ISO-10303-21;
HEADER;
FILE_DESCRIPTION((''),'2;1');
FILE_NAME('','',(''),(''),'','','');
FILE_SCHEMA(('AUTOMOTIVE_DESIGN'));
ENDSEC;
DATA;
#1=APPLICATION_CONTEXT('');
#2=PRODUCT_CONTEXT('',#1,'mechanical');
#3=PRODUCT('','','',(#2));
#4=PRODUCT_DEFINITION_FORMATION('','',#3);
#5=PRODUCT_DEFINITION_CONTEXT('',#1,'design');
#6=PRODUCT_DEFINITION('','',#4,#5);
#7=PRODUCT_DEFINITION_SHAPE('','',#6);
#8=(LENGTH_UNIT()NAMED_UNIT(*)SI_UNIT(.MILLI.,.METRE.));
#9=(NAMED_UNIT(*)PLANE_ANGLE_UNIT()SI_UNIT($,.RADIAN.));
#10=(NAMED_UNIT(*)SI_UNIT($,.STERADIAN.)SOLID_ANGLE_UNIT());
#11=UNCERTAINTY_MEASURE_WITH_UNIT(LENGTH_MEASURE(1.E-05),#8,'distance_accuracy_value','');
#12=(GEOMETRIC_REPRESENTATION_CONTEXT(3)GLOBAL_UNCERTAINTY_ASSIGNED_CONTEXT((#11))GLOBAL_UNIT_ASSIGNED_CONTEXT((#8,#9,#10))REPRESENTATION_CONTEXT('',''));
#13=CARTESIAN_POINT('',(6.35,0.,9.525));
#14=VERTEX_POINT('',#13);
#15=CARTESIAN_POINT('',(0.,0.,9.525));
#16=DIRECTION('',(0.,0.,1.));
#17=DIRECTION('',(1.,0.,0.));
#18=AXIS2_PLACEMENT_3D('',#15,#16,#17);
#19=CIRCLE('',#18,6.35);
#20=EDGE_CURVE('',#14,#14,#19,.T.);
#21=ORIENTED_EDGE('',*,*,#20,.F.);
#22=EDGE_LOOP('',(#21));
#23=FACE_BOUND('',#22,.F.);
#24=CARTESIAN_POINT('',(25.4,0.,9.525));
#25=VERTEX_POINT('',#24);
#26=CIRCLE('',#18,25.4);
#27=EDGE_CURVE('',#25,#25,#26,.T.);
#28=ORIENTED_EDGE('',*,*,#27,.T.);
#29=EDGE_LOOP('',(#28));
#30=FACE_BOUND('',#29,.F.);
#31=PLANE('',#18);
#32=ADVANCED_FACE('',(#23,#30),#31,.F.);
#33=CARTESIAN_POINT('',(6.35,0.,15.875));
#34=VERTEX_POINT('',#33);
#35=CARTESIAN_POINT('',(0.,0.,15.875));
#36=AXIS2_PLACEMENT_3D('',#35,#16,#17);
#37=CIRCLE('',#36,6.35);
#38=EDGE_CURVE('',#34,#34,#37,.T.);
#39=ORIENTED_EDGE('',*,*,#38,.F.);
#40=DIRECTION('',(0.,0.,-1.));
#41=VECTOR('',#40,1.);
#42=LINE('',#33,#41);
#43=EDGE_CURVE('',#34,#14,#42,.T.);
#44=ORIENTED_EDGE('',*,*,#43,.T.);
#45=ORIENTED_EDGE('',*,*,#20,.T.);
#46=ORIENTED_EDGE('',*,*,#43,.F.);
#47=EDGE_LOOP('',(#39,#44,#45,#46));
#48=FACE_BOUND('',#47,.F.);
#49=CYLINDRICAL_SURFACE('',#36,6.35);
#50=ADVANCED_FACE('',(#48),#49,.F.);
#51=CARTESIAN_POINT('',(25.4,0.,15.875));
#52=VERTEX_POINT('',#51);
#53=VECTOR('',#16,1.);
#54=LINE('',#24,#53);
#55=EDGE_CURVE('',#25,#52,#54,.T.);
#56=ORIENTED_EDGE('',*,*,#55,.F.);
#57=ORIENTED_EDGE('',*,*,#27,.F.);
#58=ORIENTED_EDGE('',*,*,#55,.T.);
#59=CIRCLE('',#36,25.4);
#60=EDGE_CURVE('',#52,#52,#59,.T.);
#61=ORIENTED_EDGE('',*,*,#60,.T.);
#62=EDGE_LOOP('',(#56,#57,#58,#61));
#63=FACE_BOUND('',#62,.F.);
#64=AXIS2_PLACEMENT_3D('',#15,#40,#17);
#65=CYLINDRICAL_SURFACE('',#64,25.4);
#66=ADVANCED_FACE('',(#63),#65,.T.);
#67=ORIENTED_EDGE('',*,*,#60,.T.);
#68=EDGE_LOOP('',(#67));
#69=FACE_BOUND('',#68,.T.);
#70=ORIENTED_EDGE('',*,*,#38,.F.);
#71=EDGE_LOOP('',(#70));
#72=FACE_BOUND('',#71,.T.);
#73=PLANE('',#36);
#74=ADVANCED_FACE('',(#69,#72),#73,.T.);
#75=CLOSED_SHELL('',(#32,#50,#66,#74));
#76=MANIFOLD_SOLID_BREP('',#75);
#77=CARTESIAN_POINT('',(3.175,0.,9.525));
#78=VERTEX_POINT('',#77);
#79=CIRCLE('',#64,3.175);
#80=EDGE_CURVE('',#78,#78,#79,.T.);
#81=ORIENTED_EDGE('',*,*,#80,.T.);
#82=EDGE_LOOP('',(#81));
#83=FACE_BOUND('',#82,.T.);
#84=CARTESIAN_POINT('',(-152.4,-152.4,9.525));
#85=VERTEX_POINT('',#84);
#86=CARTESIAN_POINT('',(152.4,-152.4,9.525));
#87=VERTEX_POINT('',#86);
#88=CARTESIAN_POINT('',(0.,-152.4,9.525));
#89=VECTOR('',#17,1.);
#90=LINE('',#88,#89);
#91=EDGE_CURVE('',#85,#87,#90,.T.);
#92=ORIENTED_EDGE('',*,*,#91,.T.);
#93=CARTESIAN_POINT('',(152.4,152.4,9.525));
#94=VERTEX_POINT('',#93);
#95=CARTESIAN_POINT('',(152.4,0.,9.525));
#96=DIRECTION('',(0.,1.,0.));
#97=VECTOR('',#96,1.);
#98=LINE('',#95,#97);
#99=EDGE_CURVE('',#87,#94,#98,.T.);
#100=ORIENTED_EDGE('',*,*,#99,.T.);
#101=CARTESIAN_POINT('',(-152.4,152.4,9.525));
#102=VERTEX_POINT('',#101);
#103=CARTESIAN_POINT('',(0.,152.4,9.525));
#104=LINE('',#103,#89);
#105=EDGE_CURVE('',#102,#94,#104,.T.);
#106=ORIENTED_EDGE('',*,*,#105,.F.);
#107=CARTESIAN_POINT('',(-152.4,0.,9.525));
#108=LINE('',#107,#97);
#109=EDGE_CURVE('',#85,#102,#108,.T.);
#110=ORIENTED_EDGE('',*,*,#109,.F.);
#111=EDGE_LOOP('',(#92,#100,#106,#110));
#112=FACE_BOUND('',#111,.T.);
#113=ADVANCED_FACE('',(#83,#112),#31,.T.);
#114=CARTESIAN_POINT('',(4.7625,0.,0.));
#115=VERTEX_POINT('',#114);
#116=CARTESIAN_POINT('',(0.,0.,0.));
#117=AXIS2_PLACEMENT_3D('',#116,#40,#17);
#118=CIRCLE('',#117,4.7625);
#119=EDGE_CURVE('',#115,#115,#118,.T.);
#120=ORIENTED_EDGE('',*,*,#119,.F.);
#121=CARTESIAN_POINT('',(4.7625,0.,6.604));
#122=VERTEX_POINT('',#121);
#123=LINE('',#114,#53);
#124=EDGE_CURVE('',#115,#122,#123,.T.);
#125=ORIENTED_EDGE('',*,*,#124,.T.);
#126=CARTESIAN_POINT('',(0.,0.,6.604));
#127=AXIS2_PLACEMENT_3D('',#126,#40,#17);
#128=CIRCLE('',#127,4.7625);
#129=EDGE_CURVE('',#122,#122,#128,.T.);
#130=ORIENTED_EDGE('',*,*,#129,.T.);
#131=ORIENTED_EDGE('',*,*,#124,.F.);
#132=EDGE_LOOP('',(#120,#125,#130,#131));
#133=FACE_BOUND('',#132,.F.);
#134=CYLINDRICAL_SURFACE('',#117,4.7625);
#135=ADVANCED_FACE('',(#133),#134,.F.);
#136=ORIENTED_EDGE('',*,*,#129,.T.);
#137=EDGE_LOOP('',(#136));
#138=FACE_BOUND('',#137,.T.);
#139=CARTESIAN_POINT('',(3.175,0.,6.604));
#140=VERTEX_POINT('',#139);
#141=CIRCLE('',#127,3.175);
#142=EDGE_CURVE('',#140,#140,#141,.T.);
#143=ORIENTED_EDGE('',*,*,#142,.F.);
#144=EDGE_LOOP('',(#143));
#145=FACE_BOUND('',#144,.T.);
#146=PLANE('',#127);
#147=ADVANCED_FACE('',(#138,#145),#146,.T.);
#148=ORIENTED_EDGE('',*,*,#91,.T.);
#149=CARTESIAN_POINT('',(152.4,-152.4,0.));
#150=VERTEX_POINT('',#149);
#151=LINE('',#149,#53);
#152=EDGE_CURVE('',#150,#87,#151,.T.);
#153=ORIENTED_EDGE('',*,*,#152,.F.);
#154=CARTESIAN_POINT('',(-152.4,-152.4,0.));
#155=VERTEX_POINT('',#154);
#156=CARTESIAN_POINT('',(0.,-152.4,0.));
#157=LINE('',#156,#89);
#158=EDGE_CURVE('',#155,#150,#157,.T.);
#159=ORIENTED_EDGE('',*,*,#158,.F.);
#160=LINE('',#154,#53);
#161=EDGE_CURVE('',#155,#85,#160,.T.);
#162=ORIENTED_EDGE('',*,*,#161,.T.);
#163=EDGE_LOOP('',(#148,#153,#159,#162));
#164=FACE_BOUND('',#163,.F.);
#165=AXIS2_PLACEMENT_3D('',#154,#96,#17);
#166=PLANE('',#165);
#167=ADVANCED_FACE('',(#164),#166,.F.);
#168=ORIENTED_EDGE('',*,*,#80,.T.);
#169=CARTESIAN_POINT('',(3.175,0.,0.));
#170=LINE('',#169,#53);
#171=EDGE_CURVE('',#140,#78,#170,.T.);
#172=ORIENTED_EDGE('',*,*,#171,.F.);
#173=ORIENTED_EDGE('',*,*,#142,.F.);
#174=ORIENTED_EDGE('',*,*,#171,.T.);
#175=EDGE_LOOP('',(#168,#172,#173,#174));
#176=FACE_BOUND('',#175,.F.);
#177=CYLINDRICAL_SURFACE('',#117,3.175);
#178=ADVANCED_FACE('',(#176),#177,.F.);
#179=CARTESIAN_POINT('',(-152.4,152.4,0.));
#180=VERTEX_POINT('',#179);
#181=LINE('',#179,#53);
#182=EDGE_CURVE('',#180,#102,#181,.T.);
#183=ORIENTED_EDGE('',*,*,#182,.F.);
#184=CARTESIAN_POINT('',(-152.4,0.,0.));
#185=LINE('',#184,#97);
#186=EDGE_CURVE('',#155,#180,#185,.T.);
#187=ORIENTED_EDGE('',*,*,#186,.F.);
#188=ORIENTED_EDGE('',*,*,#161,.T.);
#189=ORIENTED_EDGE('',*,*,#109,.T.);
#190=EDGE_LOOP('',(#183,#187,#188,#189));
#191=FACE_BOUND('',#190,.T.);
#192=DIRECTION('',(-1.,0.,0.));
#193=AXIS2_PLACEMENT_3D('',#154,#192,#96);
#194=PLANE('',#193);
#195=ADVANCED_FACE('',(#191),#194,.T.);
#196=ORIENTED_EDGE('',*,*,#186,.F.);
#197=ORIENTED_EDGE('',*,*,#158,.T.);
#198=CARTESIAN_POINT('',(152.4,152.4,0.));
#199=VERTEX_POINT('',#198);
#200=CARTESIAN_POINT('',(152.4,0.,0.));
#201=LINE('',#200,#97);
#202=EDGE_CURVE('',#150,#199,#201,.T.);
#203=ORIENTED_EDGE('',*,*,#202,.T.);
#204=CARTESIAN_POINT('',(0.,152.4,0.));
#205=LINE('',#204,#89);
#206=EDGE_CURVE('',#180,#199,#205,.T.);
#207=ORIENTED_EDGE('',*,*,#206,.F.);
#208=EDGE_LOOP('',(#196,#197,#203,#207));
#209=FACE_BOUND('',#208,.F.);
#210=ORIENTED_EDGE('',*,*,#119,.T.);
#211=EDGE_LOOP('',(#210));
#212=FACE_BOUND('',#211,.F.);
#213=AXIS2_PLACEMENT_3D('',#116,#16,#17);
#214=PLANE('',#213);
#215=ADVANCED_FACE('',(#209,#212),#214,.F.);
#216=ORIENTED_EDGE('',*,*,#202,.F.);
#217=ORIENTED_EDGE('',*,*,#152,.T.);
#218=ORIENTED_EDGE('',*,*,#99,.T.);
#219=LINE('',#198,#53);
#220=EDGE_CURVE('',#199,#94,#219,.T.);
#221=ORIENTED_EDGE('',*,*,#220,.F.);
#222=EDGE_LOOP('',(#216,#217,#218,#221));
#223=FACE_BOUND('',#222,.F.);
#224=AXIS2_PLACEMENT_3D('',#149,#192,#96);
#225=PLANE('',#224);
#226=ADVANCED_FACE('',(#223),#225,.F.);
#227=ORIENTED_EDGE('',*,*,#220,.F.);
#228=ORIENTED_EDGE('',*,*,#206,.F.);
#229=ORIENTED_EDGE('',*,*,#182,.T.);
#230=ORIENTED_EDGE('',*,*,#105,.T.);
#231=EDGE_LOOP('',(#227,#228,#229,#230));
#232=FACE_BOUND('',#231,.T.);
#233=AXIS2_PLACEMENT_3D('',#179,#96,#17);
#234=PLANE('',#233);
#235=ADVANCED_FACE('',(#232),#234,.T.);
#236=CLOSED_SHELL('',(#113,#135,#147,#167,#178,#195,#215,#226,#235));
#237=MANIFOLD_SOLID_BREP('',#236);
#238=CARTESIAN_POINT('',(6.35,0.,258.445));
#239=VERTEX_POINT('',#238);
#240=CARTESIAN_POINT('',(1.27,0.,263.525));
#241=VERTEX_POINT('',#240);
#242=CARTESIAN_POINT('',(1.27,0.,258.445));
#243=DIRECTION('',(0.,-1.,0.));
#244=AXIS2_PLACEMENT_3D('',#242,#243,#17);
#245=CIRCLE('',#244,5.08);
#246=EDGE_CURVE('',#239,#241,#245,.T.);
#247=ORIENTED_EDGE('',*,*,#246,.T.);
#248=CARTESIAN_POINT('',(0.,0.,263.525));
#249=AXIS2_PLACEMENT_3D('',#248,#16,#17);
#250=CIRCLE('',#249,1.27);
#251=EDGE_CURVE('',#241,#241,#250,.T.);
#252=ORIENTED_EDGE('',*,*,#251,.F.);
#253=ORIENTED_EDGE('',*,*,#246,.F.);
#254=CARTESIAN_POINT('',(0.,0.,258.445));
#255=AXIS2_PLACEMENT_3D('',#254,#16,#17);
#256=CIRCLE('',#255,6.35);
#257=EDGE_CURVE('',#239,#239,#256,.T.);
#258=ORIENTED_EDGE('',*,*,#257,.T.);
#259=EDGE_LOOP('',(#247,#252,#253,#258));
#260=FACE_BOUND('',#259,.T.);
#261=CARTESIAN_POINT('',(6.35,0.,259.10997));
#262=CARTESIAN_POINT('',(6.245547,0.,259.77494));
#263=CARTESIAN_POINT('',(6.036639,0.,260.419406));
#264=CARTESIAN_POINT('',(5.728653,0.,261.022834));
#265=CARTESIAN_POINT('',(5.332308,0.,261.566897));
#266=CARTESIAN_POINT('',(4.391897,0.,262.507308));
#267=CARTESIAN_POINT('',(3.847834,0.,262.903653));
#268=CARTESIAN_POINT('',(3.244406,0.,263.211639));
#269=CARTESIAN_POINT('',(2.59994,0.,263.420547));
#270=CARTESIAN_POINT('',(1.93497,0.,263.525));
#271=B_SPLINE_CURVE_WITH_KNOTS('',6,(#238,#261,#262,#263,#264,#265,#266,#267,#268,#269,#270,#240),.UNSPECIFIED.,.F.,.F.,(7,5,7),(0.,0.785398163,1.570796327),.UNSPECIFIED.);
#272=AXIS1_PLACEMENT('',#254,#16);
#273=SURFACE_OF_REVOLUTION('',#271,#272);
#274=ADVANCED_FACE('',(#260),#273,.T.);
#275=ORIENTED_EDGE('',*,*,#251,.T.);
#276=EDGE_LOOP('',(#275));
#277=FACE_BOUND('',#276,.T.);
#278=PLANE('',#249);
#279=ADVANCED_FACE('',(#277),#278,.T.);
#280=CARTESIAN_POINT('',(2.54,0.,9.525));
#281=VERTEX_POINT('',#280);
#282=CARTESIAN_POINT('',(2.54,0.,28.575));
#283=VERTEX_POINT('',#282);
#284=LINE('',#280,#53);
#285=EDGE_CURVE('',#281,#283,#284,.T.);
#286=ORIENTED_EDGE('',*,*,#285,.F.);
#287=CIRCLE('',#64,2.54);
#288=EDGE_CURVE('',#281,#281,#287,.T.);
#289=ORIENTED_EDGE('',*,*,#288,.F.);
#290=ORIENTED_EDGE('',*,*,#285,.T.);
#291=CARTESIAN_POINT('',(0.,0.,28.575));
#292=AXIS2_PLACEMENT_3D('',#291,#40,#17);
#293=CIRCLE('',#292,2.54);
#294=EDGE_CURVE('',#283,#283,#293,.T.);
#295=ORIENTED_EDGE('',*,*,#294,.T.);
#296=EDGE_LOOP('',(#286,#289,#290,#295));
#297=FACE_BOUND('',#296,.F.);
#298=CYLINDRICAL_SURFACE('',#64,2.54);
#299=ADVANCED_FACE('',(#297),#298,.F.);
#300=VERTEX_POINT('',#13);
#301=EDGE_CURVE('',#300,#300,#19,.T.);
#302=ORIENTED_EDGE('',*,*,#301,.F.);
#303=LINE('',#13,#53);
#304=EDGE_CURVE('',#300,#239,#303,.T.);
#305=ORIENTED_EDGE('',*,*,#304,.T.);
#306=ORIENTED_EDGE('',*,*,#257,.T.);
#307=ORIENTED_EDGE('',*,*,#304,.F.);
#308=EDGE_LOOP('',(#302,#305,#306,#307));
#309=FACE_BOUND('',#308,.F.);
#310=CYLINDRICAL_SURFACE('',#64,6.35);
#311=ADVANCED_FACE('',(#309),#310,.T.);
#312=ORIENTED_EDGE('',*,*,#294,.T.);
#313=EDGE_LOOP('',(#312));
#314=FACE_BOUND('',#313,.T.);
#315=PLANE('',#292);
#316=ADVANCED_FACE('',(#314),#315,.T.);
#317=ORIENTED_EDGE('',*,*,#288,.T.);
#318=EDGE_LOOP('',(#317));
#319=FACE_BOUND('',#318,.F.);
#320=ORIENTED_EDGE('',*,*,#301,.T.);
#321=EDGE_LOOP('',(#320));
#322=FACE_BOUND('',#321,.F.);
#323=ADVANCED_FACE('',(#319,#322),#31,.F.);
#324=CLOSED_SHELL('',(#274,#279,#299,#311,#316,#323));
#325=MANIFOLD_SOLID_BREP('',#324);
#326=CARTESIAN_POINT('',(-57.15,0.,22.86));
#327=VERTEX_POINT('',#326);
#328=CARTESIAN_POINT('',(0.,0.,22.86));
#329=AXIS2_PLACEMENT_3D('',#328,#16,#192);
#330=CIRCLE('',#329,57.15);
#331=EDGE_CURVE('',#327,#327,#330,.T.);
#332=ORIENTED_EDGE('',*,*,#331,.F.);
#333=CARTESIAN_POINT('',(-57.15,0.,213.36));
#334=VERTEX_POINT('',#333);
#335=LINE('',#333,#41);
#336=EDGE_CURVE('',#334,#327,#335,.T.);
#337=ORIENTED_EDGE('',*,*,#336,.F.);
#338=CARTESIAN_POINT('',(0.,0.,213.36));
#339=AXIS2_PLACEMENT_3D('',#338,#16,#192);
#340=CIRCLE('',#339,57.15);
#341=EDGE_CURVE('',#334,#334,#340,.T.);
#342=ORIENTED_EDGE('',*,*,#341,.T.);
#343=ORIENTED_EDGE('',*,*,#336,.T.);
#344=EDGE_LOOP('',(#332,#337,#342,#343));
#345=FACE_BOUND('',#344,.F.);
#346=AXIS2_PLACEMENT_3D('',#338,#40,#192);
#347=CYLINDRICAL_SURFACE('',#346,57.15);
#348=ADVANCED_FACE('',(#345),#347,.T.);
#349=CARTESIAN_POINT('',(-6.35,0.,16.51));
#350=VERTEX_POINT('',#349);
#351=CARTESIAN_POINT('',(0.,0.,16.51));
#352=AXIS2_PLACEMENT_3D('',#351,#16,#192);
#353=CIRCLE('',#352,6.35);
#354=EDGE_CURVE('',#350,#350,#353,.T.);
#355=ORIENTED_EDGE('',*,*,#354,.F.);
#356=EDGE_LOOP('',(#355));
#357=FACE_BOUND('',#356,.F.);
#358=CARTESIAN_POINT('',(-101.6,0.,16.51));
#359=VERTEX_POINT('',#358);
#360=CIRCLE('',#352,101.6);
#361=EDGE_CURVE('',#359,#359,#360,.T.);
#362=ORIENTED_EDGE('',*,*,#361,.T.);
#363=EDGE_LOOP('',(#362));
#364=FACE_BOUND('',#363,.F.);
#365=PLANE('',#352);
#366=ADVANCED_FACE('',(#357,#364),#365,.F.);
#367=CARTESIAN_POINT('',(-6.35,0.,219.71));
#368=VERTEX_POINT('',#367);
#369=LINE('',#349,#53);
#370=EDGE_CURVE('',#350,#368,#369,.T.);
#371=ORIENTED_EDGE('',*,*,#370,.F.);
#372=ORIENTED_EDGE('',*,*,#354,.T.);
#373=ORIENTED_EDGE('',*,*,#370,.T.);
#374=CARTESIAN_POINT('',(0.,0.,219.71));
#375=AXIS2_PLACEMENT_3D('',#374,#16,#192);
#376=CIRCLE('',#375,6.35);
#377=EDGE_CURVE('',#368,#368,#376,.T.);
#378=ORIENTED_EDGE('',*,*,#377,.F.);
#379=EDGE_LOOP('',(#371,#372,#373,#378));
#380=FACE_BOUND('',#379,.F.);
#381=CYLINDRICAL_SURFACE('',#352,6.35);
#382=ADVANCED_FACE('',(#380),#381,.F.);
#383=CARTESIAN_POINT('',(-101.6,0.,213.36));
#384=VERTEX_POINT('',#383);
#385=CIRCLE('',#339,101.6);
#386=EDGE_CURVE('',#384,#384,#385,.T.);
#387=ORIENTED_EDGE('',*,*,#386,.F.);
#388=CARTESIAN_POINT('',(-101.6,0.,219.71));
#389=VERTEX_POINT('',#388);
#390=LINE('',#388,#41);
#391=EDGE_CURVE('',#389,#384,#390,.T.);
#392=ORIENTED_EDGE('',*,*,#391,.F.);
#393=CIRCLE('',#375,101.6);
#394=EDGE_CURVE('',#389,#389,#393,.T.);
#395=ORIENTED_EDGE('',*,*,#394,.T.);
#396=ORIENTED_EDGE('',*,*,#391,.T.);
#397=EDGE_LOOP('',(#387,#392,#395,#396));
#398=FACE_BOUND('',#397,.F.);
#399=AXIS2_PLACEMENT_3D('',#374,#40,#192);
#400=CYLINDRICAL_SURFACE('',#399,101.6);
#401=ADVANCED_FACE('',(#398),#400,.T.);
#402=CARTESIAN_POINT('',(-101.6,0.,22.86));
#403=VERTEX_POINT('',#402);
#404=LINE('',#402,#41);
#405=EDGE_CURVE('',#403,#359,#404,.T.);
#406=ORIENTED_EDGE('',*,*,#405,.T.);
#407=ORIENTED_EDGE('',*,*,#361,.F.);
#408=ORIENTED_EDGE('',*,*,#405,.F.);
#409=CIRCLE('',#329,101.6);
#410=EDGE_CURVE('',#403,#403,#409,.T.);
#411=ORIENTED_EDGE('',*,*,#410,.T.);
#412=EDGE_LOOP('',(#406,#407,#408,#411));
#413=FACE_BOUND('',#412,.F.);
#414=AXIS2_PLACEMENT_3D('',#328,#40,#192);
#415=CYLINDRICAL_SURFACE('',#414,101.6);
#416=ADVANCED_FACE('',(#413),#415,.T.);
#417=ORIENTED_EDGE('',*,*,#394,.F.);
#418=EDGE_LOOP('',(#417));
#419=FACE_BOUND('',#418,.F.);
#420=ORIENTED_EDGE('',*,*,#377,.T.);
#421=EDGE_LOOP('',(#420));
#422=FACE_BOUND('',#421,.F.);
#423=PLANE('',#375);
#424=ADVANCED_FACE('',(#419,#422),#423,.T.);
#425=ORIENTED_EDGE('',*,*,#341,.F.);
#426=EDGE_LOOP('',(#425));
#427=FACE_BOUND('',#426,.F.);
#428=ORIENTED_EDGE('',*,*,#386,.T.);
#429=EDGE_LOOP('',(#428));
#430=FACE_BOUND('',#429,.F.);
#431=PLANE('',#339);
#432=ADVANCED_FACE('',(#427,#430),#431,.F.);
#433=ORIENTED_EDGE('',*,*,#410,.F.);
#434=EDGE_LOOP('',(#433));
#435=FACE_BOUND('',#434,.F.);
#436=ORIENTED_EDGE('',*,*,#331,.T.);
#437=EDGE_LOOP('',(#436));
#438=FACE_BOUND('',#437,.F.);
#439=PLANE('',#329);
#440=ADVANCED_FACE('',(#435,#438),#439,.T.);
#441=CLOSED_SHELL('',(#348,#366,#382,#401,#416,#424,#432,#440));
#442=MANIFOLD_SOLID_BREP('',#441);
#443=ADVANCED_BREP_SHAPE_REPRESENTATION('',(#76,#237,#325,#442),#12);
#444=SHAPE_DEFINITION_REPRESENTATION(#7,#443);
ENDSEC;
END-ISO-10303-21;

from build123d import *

# Parameters (mm, degrees)
F0_W      = 304.8
F0_H      = 304.8
F1_DEPTH  = 9.525
F2_R      = 25.4
F3_DEPTH  = 6.35
F4_R      = 6.35
F5_DEPTH  = 15.876
F6_R      = 6.35
F7_DEPTH  = 254
F8_R      = 5.08
F9_R      = 3.175
F10_DEPTH = 263.526
F11_R     = 4.7625
F12_DEPTH = 6.604
F13_R     = 2.54
F14_DEPTH = 19.05


with BuildPart() as f1:
    # F0 (on Top) → F1 (new body)
    with BuildSketch(Plane.XY):
        Rectangle(F0_W, F0_H)
    extrude(amount=F1_DEPTH)

    # F9 (on face) → F10 (cut, through all)
    with BuildSketch(Plane(origin=(0, 0, 0), x_dir=(1, 0, 0), z_dir=(0, 0, -1))):
        Circle(F9_R)
    extrude(amount=-F10_DEPTH, mode=Mode.SUBTRACT)

    # F11 (on face) → F12 (cut)
    with BuildSketch(Plane(origin=(0, 0, 0), x_dir=(1, 0, 0), z_dir=(0, 0, -1))):
        Circle(F11_R)
    extrude(amount=-F12_DEPTH, mode=Mode.SUBTRACT)


with BuildPart() as f3:
    # F2 (on face) → F3 (new body)
    with BuildSketch(Plane.XY.offset(9.525)):
        Circle(F2_R)
    extrude(amount=F3_DEPTH)

    # F4 (on face) → F5 (cut, through all)
    with BuildSketch(Plane.XY.offset(15.875)):
        Circle(F4_R)
    extrude(amount=-F5_DEPTH, mode=Mode.SUBTRACT)


with BuildPart() as f7:
    # F6 (on face) → F7 (new body)
    with BuildSketch(Plane.XY.offset(9.525)):
        Circle(F6_R)
    extrude(amount=F7_DEPTH)

    # F8
    f8_edges = [f7.edges().sort_by_distance(p)[0] for p in [
        (-6.35, 0, 263.525),
    ]]
    fillet(f8_edges, radius=F8_R)

    # F13 (on face) → F14 (cut)
    with BuildSketch(Plane(origin=(0, 0, 9.525), x_dir=(1, 0, 0), z_dir=(0, 0, -1))):
        Circle(F13_R)
    extrude(amount=-F14_DEPTH, mode=Mode.SUBTRACT)


with BuildPart() as f16:
    # F15 (on Front) → F16 (revolve)
    with BuildSketch(Plane.XZ):
        Polygon((-101.6, 16.51), (-6.35, 16.51), (-6.35, 219.71), (-101.6, 219.71), (-101.6, 213.36), (-57.15, 213.36), (-57.15, 22.86), (-101.6, 22.86), align=None)
    revolve(axis=Axis((0, 0, 128.212804722), (0, 0, 1)))


solid = Compound([f1.part, f3.part, f7.part, f16.part])
